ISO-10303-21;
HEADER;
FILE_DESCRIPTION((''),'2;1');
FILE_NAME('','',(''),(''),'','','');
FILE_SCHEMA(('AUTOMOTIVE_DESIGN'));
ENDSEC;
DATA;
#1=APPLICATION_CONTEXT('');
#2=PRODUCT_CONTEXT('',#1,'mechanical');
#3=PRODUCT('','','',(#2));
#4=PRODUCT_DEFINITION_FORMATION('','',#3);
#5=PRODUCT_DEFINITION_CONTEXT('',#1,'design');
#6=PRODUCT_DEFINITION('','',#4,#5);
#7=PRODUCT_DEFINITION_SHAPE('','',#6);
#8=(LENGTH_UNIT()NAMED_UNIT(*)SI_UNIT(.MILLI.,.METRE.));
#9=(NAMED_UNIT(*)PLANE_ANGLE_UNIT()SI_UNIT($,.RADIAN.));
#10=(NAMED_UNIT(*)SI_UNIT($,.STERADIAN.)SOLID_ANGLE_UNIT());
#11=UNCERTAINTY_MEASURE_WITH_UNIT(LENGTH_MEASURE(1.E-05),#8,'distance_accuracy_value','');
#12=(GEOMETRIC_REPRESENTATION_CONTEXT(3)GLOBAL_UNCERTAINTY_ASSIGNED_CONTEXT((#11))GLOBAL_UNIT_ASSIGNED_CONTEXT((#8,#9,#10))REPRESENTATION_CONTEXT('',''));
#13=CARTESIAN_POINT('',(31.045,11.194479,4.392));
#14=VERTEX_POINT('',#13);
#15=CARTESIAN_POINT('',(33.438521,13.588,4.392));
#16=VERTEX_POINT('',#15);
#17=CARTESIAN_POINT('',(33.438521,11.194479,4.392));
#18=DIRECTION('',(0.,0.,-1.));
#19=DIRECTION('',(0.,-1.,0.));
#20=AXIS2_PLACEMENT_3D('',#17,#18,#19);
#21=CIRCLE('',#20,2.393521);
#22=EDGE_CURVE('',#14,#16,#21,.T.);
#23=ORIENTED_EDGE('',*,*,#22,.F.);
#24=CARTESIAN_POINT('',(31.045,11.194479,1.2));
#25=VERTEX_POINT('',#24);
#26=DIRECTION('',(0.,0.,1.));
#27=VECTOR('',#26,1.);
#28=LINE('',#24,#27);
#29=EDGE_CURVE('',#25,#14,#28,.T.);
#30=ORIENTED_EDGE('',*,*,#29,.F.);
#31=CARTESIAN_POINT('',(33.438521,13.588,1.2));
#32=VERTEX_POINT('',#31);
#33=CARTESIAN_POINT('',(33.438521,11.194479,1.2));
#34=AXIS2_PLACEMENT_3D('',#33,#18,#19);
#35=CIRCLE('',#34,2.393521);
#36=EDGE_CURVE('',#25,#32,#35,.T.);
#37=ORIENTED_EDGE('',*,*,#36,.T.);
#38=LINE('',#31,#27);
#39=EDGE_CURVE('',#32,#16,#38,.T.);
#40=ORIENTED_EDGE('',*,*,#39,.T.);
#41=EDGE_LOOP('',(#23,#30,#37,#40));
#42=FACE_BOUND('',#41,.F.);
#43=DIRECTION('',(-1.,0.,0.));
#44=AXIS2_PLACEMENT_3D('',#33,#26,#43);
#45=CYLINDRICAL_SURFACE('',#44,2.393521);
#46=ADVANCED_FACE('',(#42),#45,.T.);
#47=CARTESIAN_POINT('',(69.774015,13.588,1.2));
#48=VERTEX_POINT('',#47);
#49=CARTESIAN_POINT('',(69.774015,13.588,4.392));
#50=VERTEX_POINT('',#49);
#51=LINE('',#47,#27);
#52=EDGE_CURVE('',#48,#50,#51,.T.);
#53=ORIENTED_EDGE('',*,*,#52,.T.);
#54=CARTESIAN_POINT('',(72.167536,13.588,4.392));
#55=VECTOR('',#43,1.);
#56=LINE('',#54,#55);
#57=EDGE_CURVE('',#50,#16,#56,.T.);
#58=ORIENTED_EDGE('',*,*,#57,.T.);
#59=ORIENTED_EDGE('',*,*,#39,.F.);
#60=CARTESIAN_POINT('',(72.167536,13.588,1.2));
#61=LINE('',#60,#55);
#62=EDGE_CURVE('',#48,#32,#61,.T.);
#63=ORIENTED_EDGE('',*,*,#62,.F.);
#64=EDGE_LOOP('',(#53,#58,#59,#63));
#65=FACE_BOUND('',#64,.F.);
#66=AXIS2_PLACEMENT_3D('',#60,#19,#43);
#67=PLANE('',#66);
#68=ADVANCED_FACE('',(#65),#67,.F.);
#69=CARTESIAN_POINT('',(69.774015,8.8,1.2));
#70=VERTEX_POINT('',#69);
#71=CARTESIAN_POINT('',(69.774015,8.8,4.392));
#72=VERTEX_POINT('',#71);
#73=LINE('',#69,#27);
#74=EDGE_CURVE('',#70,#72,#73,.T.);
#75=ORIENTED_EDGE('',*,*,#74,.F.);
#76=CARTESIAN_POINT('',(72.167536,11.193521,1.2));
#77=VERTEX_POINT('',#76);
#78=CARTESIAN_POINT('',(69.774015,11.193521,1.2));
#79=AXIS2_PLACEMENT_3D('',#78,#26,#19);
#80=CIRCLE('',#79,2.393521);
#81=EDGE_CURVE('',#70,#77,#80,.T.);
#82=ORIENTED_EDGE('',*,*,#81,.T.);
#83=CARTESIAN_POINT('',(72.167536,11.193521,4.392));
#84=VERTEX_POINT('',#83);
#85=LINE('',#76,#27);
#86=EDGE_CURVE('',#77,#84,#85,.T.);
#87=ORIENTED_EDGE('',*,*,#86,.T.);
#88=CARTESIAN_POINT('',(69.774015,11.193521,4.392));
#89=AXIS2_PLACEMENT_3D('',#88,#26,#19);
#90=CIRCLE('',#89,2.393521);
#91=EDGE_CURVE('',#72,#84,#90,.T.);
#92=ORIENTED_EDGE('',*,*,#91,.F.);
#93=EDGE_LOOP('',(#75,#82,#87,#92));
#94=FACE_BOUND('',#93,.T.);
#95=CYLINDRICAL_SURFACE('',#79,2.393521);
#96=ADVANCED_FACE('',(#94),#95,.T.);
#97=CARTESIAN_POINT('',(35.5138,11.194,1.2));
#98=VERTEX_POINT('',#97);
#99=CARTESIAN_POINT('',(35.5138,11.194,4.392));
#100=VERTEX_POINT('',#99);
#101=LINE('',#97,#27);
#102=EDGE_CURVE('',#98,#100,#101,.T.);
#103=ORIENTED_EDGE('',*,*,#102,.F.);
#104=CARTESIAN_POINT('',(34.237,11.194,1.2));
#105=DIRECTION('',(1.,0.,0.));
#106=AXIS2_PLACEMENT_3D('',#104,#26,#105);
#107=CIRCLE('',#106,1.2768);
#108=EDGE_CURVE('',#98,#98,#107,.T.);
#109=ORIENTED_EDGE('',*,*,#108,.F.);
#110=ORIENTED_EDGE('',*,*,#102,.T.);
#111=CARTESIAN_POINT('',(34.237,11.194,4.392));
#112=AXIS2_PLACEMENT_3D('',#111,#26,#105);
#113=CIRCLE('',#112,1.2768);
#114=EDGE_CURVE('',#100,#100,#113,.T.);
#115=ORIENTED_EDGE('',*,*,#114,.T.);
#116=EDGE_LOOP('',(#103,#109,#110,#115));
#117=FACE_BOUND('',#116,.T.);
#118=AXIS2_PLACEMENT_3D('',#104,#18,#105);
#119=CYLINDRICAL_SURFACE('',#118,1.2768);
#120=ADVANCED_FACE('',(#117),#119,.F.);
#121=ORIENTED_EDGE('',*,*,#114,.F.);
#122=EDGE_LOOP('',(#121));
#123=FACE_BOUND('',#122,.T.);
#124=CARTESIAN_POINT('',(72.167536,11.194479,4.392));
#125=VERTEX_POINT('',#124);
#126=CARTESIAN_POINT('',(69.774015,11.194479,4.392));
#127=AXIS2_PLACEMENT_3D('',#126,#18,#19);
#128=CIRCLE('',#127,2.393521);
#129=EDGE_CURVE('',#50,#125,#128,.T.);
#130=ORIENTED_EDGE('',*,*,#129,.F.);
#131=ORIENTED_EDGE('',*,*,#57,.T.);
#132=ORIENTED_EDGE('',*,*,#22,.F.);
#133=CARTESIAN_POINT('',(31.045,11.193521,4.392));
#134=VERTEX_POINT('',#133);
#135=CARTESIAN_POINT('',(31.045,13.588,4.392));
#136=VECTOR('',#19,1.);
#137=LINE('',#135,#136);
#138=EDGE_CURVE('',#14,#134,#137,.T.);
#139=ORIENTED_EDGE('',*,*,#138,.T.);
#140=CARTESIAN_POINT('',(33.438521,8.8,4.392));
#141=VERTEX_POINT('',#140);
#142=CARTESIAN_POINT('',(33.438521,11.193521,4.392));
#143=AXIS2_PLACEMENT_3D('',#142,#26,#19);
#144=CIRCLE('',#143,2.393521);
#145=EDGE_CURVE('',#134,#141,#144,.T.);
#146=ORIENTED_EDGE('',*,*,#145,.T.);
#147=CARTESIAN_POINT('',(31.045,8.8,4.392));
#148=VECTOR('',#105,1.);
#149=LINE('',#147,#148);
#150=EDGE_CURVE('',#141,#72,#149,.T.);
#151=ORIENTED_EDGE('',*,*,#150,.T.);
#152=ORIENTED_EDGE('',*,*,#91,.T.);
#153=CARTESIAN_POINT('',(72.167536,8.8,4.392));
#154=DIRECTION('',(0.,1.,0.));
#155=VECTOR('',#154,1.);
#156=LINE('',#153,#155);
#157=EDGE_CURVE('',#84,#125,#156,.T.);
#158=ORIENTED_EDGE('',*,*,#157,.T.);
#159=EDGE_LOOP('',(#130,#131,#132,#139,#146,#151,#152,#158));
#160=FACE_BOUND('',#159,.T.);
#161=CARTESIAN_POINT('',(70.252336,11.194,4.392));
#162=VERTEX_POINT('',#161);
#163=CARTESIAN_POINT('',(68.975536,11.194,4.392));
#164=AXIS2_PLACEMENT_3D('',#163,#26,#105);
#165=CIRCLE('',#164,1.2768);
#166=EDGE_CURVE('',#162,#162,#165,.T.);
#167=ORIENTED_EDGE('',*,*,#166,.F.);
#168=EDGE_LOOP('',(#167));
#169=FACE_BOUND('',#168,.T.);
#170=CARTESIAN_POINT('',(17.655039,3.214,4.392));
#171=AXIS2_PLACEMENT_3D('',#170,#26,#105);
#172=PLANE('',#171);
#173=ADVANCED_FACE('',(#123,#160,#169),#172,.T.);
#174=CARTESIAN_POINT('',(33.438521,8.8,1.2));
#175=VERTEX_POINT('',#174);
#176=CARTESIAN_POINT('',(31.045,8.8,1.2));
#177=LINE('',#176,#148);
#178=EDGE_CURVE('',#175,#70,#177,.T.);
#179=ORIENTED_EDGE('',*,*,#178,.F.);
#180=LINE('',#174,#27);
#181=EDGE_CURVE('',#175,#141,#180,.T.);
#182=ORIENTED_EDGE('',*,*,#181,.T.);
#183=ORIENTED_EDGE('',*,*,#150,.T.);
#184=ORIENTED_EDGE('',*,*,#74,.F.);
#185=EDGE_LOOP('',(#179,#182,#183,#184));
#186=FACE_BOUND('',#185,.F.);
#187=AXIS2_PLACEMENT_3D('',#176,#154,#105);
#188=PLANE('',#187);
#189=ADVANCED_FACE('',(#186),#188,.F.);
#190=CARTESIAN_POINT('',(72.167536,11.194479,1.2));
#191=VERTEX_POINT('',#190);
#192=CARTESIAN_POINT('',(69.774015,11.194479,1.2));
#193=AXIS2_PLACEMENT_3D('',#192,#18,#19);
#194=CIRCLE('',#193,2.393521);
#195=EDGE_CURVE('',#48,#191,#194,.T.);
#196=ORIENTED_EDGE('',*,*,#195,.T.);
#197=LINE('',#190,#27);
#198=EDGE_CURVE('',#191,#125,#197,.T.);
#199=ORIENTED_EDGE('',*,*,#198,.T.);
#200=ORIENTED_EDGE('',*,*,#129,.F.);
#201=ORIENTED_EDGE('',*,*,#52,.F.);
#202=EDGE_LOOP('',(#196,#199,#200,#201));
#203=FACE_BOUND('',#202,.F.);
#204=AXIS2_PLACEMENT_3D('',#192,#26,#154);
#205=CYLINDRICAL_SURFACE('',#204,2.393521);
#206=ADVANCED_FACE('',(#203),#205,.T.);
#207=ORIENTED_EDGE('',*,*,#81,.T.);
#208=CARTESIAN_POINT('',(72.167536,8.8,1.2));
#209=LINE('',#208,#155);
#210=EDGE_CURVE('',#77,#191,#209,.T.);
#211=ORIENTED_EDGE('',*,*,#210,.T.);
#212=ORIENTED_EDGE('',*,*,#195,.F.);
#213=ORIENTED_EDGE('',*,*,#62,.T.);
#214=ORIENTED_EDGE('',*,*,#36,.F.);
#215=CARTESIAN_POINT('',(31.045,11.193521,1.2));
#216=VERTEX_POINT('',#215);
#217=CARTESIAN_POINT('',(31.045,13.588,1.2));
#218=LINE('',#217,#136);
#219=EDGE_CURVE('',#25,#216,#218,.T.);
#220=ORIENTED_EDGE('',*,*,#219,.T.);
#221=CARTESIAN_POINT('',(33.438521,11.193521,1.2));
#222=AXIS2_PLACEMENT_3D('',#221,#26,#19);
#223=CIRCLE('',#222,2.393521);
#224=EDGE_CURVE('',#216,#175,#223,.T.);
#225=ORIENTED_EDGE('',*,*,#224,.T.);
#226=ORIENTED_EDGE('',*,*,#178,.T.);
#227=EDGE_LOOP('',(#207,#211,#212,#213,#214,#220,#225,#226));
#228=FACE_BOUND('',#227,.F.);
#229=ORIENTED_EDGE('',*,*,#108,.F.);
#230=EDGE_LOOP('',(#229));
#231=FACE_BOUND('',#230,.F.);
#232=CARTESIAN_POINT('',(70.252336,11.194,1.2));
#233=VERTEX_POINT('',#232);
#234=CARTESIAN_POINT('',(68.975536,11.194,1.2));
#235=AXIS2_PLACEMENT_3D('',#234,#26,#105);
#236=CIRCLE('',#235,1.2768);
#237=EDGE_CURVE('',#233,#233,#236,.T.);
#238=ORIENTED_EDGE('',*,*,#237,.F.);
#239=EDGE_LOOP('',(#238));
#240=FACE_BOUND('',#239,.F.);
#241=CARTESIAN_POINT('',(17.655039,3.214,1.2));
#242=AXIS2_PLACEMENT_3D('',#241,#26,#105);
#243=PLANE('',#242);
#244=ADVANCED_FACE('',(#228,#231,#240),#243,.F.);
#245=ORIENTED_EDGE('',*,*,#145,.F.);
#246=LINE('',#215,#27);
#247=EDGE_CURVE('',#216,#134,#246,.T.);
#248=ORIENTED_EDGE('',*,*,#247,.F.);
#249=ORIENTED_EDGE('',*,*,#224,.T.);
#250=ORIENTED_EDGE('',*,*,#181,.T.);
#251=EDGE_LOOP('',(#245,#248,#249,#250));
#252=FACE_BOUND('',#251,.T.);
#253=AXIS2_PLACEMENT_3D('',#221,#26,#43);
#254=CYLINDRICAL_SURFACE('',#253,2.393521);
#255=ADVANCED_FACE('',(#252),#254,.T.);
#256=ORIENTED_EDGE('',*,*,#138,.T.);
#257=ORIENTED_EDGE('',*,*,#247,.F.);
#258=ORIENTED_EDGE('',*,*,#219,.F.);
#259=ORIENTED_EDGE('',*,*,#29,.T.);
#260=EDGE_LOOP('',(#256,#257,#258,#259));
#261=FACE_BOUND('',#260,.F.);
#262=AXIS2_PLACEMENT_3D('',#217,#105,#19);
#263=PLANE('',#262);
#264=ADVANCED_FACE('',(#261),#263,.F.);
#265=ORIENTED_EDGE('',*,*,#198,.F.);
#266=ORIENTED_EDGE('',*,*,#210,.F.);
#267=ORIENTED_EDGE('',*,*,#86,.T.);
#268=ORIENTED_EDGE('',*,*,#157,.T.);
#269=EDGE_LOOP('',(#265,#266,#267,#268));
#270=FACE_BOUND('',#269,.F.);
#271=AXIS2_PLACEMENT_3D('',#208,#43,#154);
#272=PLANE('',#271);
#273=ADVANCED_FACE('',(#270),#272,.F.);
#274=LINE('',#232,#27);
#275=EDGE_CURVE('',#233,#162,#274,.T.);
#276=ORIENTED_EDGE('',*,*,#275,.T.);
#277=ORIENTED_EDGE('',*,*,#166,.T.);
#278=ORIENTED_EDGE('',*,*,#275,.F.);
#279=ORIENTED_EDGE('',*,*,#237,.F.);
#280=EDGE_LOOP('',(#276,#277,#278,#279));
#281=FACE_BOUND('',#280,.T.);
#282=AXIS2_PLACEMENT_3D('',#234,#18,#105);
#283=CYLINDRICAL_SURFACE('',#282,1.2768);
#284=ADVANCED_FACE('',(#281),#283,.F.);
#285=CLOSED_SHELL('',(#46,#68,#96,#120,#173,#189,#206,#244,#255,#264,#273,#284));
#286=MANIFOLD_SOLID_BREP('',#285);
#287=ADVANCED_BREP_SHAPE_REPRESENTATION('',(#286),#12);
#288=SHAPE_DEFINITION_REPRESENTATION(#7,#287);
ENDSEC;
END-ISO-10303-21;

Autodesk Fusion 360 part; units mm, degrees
sketch "Esboço1" plane through (0, 0, 0) normal (0, 0, 1) x (1, 0, 0)
  line L0 (16.7794, 7) -> (68.3114, 7)
  line L1 (68.3114, 7) -> (68.3114, 13)
  line L2 (68.3114, 13) -> (16.7794, 13)
  line L3 (16.7794, 13) -> (16.7794, 7)
  circle A0 centre (20.7794, 10) radius 1.6
  circle A1 centre (64.3114, 10) radius 1.6
  dimension "d1" = 3.2
  dimension "d2" = 3.2
  dimension "d3" = 43.532
  dimension "d4" = 4
  dimension "d6" = 6
  dimension "d7" = 3
  dimension "d14" = 4
extrude "Extrusão1" add sketch "Esboço1" along normal blind 4 makes body 1
fillet "Arredondamento1" radius 3 2 edges at (16.7794, 13, 2) (16.7794, 7, 2) on bodies 1
fillet "Arredondamento2" radius 3 2 edges at (68.3114, 13, 2) (68.3114, 7, 2) on bodies 1
copy_body "Corpo -> Componente1" bodies 1 removing the originals makes body 2 in component "Component"
scale "Escala1" factor 0.7 about (65.3114, 13, 4) bodies 2 in component "Component"
scale "Escala2" factor 1.14 about (33.439, 8.8, 1.2) bodies 2 in component "Component"
component "Component" placed x (1, 0, 0) y (0, 1, 0) z (0, 0, 1) at (0, 0, 0)
